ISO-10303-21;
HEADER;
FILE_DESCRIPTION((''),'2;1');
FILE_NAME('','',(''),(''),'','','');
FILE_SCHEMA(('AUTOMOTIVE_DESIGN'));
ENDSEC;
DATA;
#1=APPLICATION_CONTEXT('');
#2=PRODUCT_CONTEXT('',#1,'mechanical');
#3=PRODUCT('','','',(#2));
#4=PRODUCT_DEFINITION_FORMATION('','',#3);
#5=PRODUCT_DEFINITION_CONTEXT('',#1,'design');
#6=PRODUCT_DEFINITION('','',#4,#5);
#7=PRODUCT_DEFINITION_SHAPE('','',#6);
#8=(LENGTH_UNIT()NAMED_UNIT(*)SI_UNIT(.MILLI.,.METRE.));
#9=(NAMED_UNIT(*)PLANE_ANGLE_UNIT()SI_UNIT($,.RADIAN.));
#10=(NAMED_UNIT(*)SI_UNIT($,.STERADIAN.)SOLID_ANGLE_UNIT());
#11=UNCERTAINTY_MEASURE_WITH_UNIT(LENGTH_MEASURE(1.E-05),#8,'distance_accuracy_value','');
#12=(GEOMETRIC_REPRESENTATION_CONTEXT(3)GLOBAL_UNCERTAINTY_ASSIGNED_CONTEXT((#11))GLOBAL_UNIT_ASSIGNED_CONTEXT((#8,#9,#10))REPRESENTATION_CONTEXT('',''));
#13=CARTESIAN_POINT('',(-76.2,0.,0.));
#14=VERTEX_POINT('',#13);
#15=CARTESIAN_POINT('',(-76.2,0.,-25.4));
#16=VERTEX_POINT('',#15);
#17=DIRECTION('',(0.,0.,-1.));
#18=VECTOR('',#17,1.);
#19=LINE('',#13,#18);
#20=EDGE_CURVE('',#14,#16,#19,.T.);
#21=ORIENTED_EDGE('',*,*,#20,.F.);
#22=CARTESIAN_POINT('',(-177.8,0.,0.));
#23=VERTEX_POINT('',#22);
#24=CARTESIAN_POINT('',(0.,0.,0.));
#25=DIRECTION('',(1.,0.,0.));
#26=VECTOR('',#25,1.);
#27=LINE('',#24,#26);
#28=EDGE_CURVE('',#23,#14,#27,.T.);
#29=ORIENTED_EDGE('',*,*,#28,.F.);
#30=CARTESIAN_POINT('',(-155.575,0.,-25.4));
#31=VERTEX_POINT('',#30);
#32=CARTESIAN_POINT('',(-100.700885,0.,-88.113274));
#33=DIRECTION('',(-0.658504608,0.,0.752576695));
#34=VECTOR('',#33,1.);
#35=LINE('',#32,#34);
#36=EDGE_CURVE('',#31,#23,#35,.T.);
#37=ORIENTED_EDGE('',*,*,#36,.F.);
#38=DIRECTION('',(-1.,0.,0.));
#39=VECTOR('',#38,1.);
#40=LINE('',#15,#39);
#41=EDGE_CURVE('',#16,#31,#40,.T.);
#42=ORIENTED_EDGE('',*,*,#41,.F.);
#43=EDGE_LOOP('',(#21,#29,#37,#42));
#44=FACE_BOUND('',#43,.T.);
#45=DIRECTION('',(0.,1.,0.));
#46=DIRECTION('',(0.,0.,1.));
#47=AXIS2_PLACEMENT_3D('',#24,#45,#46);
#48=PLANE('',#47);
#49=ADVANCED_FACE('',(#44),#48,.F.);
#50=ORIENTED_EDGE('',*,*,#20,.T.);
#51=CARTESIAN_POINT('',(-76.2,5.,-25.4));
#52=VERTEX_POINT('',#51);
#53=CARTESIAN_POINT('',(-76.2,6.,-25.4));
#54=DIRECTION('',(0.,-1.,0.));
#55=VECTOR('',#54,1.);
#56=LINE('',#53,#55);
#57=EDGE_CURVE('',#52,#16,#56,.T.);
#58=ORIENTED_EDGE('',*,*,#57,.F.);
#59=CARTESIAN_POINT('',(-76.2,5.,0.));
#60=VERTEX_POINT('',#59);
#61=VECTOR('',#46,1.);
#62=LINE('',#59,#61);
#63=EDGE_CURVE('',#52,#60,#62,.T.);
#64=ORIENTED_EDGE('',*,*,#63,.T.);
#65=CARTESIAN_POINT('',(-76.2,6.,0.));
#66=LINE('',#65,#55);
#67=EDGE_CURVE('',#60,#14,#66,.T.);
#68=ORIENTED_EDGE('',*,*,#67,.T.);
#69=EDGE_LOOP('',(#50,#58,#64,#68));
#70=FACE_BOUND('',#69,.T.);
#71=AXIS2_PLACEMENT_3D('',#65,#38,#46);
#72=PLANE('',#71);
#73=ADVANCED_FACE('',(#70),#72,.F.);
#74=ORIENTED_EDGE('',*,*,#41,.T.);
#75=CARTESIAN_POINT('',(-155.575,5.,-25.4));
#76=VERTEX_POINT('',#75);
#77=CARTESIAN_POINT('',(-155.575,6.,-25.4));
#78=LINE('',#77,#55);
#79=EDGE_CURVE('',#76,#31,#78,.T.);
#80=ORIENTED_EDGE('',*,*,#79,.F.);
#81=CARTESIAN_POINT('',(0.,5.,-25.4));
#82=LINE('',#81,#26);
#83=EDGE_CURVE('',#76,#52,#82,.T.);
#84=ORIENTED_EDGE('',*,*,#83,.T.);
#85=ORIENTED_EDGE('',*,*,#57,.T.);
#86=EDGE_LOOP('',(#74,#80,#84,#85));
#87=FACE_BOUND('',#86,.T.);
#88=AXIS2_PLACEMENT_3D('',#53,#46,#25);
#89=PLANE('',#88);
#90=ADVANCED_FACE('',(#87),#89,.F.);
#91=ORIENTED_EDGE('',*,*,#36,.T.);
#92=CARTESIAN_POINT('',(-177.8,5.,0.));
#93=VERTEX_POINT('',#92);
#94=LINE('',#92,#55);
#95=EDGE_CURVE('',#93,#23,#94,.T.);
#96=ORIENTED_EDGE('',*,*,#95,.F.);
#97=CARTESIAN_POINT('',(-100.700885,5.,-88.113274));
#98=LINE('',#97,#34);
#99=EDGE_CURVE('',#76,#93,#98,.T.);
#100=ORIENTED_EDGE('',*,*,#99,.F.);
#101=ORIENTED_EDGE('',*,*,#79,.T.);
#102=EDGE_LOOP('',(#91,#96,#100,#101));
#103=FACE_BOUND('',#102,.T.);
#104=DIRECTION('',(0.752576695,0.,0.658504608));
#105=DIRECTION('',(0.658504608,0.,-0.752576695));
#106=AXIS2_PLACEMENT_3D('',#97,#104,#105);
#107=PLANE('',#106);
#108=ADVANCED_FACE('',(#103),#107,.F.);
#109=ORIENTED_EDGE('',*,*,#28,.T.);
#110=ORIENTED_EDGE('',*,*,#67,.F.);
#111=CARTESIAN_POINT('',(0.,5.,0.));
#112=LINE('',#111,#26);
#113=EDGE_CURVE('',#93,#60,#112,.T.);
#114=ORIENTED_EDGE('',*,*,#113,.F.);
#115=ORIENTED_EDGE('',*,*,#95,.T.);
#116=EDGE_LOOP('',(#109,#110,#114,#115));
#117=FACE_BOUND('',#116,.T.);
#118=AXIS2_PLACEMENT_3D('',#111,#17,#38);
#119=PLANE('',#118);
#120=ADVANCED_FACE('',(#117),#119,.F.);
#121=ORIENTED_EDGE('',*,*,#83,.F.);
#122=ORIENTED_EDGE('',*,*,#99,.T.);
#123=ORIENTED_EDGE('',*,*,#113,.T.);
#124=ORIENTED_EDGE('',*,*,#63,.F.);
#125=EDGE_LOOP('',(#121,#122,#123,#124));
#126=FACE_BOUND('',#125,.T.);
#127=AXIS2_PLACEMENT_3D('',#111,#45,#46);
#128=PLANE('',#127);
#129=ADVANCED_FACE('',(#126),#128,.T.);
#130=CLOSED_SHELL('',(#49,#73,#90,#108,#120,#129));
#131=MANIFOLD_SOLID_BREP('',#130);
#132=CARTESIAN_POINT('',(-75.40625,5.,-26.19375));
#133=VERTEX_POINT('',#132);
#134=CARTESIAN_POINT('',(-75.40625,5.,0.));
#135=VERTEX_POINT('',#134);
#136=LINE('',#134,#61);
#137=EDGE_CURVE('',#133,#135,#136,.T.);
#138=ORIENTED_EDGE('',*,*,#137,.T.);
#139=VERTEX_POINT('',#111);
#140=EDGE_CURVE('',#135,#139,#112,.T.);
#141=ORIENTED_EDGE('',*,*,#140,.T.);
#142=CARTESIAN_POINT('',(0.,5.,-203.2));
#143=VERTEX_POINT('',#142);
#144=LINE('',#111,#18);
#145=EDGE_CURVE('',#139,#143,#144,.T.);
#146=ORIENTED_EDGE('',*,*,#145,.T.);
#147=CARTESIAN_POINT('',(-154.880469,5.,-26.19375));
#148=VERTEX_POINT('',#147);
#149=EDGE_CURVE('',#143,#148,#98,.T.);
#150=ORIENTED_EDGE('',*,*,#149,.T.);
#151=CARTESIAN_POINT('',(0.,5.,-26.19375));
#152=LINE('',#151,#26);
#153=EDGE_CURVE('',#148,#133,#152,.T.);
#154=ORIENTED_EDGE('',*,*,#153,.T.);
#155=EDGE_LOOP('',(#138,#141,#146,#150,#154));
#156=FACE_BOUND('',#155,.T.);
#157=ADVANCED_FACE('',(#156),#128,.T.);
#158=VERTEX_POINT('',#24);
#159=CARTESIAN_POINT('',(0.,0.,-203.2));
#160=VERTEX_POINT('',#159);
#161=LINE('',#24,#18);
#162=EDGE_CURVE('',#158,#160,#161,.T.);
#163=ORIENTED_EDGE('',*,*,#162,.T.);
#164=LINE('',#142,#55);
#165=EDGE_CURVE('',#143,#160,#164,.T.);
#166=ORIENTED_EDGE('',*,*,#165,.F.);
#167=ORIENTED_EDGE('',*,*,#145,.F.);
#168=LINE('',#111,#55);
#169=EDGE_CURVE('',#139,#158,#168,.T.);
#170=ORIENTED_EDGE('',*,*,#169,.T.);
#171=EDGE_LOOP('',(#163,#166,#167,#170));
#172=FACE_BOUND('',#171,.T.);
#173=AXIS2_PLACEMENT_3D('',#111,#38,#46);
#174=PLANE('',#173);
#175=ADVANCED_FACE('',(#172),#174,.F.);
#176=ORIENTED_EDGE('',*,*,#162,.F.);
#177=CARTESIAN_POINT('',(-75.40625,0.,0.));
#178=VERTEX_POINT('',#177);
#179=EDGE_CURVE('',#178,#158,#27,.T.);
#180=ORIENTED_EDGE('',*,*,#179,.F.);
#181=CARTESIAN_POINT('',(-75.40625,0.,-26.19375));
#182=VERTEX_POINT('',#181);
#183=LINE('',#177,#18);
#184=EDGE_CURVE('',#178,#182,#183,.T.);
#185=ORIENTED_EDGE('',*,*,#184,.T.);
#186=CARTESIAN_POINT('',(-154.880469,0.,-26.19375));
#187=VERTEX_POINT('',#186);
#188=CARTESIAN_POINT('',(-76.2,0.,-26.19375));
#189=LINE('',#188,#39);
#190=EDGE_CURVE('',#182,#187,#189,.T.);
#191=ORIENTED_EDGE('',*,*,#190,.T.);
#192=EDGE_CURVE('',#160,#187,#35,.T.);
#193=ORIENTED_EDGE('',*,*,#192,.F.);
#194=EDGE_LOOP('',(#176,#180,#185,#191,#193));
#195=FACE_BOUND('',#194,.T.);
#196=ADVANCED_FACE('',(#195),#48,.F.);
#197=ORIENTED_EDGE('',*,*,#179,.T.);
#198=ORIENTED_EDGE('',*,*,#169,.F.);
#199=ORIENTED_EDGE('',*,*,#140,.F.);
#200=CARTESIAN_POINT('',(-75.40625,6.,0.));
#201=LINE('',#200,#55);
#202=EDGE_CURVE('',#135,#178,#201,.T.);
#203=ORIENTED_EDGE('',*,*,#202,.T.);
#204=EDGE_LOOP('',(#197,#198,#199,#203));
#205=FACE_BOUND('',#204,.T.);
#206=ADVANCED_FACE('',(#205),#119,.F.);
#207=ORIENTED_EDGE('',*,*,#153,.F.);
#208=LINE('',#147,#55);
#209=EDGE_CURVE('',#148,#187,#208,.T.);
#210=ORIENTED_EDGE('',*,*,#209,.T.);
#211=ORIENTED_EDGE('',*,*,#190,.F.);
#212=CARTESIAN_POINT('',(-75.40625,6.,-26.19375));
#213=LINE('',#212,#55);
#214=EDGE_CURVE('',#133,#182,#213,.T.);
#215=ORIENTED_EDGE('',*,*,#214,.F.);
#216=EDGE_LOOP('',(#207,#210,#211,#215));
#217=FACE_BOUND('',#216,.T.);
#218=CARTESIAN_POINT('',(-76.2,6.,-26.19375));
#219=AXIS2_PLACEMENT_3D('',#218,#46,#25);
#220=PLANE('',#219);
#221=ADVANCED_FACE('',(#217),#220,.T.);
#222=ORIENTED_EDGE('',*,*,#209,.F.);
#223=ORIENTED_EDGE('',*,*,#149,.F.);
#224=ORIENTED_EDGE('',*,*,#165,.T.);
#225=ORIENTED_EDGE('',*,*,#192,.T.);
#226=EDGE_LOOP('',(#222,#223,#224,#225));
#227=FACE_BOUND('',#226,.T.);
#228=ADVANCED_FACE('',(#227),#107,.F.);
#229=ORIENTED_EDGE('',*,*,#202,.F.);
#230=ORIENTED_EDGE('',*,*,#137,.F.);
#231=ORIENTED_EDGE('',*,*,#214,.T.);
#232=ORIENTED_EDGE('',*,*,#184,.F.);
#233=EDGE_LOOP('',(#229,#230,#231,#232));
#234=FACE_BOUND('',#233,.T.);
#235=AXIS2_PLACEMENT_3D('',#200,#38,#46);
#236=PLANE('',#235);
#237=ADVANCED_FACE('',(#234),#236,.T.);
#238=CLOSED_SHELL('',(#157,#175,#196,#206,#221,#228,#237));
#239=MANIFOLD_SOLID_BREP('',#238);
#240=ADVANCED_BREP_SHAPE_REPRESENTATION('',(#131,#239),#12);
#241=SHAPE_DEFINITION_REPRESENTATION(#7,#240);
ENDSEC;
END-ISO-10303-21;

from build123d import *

# Parameters (mm, degrees)
BOSS_EXTRUDE1_DEPTH     = 5
CUT_EXTRUDE_THIN1_DEPTH = 6


with BuildPart() as part:
    # Sketch1 → Boss-Extrude1 (new body)
    with BuildSketch(Plane(origin=(0, 0, 0), x_dir=(1, 0, 0), z_dir=(0, 1, 0))):
        Polygon((0, 0), (0, 203.2), (-177.8, 0), align=None)
    extrude(amount=BOSS_EXTRUDE1_DEPTH)

    # Sketch1<3> → Cut-Extrude-Thin1 (cut)
    with BuildSketch(Plane(origin=(0, 0, 0), x_dir=(1, 0, 0), z_dir=(0, 1, 0))):
        Polygon((-76.2, 0), (-76.2, 25.4), (-155.575, 25.4), (-155.575, 26.19375), (-75.40625, 26.19375), (-75.40625, 0), align=None)
    extrude(amount=CUT_EXTRUDE_THIN1_DEPTH, mode=Mode.SUBTRACT)


with BuildPart() as cut_extrude_thin1_piece_1:
    # of the separate pieces the step leaves, piece 1, a body of its own (cut_extrude_thin1_pieces)
    add(part.part.solids().sort_by_distance((0, 0, 0))[0])


with BuildPart() as cut_extrude_thin1_piece_2:
    # of the separate pieces the step leaves, piece 2, a body of its own (cut_extrude_thin1_pieces)
    add(part.part.solids().sort_by_distance((-177.8, 0, 0))[0])


solid = Compound([cut_extrude_thin1_piece_1.part, cut_extrude_thin1_piece_2.part])
